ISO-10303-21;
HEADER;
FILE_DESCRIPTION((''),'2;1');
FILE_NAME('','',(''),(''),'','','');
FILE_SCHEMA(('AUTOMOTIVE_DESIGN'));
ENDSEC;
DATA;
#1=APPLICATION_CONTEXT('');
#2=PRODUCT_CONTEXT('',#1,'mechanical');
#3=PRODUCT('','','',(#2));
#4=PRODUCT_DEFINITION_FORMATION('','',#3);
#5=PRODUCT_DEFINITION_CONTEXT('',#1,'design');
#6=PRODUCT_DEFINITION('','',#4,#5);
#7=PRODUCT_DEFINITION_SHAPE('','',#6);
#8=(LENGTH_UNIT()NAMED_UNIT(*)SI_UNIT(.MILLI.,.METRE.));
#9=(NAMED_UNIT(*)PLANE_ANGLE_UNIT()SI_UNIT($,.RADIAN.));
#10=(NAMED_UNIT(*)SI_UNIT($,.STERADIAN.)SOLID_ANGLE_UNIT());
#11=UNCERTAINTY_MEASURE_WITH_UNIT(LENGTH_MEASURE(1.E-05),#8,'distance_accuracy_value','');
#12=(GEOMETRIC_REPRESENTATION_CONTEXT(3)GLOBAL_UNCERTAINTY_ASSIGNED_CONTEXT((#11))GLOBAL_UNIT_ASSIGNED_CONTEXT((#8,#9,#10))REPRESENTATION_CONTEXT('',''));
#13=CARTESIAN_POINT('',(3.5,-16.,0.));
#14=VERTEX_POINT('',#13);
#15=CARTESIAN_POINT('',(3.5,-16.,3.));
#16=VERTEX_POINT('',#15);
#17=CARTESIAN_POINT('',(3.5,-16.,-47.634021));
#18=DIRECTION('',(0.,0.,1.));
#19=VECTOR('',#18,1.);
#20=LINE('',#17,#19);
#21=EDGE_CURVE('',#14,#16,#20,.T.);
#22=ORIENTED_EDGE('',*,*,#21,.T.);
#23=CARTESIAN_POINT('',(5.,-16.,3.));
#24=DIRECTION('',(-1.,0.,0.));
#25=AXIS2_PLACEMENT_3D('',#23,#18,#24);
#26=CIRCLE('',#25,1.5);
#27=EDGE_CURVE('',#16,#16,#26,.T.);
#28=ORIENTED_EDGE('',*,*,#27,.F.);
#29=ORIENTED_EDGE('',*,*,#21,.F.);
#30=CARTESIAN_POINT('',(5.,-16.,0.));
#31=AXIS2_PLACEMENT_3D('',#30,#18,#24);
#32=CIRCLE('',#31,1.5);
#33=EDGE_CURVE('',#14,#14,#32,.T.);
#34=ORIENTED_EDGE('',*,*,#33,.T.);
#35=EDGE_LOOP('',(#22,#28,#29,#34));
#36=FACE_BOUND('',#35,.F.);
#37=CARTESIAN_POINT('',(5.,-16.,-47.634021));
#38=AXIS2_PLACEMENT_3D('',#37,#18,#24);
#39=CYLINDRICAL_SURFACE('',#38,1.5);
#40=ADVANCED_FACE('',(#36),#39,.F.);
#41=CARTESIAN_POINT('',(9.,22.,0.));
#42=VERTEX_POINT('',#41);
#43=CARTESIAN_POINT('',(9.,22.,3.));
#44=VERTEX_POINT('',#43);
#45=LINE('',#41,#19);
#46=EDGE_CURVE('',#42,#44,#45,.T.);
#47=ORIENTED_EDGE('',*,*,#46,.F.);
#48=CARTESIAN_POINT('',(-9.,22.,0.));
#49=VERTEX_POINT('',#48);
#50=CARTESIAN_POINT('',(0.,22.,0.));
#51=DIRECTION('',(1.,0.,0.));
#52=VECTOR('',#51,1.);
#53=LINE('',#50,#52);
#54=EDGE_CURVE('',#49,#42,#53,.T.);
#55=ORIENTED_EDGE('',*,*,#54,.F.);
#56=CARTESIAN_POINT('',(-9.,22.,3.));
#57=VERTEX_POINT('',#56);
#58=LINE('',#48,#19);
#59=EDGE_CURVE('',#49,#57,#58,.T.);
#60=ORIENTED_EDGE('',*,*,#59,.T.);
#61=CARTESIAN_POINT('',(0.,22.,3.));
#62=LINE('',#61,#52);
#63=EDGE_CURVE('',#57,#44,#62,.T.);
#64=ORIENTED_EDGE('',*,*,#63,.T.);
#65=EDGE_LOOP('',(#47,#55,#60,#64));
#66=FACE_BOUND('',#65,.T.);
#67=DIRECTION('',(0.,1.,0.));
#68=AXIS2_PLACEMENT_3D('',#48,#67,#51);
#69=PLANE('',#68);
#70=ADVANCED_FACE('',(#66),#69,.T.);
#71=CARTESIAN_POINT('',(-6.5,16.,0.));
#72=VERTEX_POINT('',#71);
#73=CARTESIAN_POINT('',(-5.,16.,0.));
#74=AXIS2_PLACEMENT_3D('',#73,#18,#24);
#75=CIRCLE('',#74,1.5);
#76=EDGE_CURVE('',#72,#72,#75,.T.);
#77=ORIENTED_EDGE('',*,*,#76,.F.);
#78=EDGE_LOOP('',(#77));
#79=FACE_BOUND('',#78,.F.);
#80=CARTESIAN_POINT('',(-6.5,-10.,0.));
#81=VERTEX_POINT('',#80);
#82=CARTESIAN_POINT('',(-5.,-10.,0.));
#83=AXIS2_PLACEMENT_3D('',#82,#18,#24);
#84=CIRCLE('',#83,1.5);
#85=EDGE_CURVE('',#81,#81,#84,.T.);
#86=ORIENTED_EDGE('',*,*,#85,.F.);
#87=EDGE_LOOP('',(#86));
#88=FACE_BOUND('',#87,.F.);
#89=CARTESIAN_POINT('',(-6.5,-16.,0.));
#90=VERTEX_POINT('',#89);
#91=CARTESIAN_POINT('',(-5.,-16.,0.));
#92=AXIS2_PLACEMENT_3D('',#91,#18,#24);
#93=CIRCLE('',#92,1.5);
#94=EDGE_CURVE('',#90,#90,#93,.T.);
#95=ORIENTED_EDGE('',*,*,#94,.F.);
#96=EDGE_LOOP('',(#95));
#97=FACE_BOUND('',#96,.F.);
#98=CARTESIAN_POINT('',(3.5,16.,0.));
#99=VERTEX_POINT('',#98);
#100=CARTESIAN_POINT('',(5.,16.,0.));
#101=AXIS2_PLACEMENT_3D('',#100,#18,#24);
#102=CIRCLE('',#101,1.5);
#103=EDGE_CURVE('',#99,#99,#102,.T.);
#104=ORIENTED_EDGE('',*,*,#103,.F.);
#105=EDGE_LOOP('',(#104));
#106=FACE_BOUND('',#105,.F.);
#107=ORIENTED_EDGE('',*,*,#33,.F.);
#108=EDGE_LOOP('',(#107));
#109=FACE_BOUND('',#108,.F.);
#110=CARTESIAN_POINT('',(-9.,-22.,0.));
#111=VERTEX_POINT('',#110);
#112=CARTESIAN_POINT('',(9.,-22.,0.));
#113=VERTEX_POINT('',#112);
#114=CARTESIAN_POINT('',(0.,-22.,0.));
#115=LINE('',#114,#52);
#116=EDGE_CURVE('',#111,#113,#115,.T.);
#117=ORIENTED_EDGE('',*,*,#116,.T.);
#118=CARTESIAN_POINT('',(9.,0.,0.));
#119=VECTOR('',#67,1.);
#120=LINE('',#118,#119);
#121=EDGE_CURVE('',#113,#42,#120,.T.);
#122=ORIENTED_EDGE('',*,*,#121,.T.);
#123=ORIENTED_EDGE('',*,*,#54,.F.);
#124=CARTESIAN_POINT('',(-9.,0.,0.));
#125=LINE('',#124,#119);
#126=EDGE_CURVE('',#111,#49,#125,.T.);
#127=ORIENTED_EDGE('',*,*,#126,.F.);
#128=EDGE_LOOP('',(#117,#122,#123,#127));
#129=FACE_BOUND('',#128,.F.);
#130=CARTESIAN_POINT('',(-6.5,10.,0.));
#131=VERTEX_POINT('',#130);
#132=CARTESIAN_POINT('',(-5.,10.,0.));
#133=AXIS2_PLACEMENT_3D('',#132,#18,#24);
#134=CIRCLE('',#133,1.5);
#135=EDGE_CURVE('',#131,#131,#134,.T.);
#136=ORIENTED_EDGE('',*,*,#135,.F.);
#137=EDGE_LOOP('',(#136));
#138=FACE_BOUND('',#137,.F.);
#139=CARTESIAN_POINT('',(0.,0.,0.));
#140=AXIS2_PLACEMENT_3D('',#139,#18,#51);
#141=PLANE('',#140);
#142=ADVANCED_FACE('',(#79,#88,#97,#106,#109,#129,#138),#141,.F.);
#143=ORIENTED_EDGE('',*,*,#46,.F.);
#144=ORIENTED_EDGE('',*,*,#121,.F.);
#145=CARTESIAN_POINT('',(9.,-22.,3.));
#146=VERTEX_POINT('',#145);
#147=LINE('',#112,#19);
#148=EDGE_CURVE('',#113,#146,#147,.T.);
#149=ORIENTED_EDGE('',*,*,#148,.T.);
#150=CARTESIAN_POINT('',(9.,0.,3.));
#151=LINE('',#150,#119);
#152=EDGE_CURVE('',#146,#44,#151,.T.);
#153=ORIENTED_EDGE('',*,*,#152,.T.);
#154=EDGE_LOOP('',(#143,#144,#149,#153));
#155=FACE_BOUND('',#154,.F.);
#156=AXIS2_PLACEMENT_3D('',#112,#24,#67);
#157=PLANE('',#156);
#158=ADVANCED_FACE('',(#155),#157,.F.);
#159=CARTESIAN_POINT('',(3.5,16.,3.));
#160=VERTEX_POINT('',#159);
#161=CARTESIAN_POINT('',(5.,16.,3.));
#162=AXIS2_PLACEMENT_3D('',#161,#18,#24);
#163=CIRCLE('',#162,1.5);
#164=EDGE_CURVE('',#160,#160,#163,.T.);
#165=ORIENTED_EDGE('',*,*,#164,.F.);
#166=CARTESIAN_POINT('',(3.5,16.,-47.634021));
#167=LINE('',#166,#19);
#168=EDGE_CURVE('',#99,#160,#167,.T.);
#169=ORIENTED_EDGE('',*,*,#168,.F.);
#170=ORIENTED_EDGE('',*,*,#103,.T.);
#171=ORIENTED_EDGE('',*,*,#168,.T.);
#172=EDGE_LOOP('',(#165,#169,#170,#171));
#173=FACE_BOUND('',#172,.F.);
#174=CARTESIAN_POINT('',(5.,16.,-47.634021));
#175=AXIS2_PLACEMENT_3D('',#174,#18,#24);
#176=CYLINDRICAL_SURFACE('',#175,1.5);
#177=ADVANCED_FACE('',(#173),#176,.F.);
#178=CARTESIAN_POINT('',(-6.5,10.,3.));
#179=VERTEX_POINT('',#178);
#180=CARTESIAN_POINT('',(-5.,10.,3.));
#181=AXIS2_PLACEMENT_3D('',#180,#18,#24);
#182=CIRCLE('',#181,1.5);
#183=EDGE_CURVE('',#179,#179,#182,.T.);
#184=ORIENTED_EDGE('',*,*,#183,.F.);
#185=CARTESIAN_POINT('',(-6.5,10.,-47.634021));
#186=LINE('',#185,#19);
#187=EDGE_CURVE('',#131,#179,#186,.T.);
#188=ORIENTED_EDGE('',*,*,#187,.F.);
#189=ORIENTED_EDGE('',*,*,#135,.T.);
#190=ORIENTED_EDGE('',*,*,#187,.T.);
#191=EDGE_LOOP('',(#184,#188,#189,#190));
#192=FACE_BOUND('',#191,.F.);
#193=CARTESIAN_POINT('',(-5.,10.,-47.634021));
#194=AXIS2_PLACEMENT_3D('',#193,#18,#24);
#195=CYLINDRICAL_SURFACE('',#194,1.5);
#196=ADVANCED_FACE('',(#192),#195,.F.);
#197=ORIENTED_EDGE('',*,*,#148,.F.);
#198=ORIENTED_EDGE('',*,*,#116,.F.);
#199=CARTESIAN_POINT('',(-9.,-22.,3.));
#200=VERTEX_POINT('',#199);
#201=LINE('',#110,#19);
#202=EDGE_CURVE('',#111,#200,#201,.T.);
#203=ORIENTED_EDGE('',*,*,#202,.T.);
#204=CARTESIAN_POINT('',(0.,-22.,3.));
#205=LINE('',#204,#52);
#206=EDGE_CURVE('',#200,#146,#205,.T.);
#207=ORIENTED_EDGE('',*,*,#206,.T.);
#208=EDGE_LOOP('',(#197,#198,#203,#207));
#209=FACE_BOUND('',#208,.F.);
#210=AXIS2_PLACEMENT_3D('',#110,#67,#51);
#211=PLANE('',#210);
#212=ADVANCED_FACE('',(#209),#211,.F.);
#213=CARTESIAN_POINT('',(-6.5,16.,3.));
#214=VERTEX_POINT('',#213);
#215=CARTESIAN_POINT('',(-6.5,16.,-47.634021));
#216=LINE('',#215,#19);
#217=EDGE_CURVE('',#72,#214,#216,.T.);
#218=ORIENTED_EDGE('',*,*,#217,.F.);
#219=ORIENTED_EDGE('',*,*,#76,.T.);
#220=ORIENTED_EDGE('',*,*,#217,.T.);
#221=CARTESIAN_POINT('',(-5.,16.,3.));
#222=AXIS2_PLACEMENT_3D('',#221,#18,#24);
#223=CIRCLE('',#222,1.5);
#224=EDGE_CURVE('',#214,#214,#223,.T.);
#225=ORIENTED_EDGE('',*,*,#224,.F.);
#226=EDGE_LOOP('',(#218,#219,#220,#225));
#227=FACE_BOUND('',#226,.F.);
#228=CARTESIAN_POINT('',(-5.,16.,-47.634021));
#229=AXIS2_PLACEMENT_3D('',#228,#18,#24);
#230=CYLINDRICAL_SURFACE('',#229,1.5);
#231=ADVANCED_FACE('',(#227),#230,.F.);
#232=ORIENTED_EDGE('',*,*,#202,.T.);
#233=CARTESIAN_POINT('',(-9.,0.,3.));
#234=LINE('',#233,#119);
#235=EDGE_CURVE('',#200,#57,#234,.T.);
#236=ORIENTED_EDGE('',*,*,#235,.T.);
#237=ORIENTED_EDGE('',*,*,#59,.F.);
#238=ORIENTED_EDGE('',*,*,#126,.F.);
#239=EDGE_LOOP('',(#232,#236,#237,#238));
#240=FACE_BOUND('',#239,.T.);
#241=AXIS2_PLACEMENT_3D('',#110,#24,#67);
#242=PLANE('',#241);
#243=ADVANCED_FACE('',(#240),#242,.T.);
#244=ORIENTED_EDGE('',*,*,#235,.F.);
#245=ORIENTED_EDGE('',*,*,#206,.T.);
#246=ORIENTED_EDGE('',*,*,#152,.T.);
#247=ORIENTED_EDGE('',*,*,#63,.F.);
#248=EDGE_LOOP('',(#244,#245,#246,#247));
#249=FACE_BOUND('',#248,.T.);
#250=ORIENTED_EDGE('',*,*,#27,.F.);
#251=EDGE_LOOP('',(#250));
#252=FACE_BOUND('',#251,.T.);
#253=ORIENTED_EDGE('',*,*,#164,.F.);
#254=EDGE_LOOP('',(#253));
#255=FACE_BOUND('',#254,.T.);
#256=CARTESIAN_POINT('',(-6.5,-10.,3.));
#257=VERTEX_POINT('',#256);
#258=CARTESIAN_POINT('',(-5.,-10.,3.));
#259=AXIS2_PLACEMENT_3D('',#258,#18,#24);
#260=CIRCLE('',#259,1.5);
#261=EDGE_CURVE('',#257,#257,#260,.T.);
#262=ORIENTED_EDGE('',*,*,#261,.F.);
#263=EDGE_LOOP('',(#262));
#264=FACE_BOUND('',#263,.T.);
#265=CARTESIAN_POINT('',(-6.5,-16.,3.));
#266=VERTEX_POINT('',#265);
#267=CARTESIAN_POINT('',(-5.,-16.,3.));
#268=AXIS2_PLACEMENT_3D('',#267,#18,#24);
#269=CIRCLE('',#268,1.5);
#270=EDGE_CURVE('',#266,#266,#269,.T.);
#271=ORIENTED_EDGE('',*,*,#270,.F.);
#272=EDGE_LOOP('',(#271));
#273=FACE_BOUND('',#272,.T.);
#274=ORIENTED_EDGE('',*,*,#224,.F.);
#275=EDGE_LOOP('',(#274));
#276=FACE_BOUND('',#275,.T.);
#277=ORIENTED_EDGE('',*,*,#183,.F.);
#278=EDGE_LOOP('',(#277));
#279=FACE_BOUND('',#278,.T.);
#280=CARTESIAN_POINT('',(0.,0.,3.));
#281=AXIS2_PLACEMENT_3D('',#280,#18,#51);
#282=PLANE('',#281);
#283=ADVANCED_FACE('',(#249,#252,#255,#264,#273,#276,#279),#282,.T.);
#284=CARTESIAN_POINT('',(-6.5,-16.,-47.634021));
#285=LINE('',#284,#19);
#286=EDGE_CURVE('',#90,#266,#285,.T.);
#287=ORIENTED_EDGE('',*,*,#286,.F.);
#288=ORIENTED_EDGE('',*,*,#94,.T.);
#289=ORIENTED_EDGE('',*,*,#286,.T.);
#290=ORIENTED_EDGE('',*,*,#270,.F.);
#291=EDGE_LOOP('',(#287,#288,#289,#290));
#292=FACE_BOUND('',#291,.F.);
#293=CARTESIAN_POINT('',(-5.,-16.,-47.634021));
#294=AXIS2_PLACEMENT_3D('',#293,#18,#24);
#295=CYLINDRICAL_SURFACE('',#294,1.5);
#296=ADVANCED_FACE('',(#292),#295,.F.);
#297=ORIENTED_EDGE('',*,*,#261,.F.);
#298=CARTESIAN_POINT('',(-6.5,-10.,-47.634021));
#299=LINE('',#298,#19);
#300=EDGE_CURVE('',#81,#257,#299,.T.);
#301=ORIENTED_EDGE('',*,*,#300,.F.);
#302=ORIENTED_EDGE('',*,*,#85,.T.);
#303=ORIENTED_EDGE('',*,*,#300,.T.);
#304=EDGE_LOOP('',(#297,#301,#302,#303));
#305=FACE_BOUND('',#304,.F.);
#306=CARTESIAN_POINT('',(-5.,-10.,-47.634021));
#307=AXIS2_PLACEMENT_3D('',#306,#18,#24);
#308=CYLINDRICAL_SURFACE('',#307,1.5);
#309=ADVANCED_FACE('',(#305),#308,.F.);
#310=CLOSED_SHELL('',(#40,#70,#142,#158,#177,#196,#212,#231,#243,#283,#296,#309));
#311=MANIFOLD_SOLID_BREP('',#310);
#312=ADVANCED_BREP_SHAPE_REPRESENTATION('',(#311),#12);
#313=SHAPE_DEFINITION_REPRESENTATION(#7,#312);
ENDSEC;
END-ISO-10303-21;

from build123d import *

# Parameters (mm, degrees)
F0_W     = 18
F0_H     = 44
F1_DEPTH = 3
F2_D     = 3


with BuildPart() as f1:
    # F0 (on Top) → F1 (new body)
    with BuildSketch(Plane.XY):
        Rectangle(F0_W, F0_H)
        Polygon((5, 16), (5, -16), (-5, -16), (-5, -10), (-5, 10), (-5, 16), align=None, mode=Mode.SUBTRACT)
        Polygon((-5, -16), (5, -16), (5, 16), (-5, 16), (-5, 10), (-5, -10), align=None)
    extrude(amount=F1_DEPTH)

    # F2 (through all)
    with Locations(Plane(origin=(0, 0, 0), x_dir=(1, 0, 0), z_dir=(0, 0, -1))):
        with Locations((-5, -16), (-5, 16), (-5, 10), (-5, -10), (5, -16), (5, 16)):
            Hole(F2_D / 2)


solid = f1.part
